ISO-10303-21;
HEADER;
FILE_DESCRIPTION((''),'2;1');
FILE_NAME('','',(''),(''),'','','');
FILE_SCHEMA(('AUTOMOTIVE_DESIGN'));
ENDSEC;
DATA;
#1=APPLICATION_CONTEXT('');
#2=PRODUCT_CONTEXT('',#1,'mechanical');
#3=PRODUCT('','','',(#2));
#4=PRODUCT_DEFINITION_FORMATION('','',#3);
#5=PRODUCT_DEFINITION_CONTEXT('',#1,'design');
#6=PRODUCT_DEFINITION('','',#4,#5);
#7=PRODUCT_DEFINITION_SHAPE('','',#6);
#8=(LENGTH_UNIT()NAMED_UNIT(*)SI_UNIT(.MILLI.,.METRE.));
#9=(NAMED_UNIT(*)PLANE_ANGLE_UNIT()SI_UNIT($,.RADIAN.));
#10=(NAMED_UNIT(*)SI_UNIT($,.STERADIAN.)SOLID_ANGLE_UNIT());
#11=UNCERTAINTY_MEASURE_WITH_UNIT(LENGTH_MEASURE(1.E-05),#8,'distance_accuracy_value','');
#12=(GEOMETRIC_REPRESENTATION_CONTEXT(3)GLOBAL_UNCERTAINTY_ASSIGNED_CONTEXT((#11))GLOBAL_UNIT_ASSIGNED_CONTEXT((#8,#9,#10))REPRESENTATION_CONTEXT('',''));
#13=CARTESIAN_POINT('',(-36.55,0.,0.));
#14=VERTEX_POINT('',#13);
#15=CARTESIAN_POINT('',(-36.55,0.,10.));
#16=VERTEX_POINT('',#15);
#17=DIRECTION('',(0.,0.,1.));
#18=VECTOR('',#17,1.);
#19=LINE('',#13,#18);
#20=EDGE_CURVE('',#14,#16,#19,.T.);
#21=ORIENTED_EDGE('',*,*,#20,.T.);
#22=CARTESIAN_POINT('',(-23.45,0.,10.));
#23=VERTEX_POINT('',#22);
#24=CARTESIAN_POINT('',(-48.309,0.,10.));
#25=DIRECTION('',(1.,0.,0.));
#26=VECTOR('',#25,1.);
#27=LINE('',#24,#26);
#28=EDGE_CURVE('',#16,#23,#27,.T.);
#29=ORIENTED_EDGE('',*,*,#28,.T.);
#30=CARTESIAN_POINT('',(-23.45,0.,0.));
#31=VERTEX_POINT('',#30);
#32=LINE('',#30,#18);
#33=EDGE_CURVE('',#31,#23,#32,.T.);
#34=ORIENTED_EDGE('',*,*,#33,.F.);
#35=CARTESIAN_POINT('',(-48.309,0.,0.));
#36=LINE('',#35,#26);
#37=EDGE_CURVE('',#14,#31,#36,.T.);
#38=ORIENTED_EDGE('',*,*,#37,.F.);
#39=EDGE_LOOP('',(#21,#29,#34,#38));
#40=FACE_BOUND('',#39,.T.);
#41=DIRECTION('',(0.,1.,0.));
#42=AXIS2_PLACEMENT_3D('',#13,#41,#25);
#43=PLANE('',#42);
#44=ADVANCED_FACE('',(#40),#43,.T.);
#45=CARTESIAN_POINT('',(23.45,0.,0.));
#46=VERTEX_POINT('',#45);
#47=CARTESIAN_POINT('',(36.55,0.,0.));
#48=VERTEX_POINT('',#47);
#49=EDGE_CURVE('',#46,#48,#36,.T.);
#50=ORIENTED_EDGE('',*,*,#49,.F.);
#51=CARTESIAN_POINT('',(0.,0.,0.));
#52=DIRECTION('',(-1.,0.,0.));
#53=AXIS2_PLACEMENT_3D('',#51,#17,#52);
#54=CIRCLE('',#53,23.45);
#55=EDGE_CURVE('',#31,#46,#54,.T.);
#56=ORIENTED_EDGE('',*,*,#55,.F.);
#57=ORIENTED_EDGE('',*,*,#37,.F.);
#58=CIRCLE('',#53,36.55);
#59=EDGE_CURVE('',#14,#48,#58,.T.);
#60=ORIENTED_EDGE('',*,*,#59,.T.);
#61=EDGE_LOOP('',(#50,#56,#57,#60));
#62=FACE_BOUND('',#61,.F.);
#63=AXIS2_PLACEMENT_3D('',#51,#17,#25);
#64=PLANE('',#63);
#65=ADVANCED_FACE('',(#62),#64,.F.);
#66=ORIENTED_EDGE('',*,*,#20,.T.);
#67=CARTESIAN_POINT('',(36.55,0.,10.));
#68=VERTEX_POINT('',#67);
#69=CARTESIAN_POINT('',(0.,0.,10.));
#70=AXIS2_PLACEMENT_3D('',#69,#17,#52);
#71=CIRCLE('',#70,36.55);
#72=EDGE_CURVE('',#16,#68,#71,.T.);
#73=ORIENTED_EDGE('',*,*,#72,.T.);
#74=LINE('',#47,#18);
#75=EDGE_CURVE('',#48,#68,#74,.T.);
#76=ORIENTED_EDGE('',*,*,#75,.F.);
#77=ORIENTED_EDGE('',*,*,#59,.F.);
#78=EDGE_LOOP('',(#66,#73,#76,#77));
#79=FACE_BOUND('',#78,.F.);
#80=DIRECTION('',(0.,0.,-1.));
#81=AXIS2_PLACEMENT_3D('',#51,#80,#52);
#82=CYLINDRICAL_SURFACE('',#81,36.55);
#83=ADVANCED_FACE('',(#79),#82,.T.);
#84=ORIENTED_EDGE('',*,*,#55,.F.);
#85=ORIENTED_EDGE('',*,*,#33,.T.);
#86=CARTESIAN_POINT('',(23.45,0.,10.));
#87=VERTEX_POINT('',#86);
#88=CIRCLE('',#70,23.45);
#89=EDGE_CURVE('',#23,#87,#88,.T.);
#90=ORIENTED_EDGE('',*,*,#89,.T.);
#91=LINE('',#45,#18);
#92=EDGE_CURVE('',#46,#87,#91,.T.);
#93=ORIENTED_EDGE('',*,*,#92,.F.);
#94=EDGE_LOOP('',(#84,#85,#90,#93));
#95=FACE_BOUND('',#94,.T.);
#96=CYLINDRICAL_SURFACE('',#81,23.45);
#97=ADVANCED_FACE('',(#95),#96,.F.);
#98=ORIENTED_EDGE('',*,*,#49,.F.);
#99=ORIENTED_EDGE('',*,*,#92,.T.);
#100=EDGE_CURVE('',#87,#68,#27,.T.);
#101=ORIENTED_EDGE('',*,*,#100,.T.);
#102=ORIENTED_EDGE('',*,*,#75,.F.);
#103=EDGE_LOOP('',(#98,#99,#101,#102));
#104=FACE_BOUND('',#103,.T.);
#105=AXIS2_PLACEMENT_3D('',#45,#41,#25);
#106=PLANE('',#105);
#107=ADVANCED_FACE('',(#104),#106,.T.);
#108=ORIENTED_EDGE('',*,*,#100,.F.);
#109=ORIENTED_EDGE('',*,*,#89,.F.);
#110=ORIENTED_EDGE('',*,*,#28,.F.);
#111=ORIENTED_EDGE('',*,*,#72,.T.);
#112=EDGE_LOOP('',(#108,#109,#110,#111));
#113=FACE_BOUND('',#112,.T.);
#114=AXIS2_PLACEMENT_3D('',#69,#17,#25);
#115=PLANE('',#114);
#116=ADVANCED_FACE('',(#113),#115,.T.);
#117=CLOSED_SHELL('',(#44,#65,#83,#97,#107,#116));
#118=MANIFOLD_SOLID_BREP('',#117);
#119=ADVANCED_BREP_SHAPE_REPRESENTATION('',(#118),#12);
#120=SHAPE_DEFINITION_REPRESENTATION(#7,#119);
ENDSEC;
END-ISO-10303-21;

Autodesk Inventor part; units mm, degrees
ref_plane "YZ Plane" through (0, 0, 0) normal (1, 0, 0) x (0, 1, 0)
ref_plane "XZ Plane" through (0, 0, 0) normal (0, 1, 0) x (-1, 0, 0)
ref_plane "XY Plane" through (0, 0, 0) normal (0, 0, 1) x (1, 0, 0)
sketch "スケッチ1" plane through (0, 0, 0) normal (0, 0, 1) x (1, 0, 0)
  arc A0 (-23.45, 0) -> (23.45, 0) centre (0, 0) ccw
  arc A1 (-36.55, 0) -> (36.55, 0) centre (0, 0) ccw
  line L0 (-48.309, 0) -> (65.7551, 0)
  dimension "d0" = 46.9
  dimension "d1" = 73.1
extrude "押し出し1" add sketch "スケッチ1" along normal blind 10 contours A0 L0 A1
properties part number "半円 穴なし"
